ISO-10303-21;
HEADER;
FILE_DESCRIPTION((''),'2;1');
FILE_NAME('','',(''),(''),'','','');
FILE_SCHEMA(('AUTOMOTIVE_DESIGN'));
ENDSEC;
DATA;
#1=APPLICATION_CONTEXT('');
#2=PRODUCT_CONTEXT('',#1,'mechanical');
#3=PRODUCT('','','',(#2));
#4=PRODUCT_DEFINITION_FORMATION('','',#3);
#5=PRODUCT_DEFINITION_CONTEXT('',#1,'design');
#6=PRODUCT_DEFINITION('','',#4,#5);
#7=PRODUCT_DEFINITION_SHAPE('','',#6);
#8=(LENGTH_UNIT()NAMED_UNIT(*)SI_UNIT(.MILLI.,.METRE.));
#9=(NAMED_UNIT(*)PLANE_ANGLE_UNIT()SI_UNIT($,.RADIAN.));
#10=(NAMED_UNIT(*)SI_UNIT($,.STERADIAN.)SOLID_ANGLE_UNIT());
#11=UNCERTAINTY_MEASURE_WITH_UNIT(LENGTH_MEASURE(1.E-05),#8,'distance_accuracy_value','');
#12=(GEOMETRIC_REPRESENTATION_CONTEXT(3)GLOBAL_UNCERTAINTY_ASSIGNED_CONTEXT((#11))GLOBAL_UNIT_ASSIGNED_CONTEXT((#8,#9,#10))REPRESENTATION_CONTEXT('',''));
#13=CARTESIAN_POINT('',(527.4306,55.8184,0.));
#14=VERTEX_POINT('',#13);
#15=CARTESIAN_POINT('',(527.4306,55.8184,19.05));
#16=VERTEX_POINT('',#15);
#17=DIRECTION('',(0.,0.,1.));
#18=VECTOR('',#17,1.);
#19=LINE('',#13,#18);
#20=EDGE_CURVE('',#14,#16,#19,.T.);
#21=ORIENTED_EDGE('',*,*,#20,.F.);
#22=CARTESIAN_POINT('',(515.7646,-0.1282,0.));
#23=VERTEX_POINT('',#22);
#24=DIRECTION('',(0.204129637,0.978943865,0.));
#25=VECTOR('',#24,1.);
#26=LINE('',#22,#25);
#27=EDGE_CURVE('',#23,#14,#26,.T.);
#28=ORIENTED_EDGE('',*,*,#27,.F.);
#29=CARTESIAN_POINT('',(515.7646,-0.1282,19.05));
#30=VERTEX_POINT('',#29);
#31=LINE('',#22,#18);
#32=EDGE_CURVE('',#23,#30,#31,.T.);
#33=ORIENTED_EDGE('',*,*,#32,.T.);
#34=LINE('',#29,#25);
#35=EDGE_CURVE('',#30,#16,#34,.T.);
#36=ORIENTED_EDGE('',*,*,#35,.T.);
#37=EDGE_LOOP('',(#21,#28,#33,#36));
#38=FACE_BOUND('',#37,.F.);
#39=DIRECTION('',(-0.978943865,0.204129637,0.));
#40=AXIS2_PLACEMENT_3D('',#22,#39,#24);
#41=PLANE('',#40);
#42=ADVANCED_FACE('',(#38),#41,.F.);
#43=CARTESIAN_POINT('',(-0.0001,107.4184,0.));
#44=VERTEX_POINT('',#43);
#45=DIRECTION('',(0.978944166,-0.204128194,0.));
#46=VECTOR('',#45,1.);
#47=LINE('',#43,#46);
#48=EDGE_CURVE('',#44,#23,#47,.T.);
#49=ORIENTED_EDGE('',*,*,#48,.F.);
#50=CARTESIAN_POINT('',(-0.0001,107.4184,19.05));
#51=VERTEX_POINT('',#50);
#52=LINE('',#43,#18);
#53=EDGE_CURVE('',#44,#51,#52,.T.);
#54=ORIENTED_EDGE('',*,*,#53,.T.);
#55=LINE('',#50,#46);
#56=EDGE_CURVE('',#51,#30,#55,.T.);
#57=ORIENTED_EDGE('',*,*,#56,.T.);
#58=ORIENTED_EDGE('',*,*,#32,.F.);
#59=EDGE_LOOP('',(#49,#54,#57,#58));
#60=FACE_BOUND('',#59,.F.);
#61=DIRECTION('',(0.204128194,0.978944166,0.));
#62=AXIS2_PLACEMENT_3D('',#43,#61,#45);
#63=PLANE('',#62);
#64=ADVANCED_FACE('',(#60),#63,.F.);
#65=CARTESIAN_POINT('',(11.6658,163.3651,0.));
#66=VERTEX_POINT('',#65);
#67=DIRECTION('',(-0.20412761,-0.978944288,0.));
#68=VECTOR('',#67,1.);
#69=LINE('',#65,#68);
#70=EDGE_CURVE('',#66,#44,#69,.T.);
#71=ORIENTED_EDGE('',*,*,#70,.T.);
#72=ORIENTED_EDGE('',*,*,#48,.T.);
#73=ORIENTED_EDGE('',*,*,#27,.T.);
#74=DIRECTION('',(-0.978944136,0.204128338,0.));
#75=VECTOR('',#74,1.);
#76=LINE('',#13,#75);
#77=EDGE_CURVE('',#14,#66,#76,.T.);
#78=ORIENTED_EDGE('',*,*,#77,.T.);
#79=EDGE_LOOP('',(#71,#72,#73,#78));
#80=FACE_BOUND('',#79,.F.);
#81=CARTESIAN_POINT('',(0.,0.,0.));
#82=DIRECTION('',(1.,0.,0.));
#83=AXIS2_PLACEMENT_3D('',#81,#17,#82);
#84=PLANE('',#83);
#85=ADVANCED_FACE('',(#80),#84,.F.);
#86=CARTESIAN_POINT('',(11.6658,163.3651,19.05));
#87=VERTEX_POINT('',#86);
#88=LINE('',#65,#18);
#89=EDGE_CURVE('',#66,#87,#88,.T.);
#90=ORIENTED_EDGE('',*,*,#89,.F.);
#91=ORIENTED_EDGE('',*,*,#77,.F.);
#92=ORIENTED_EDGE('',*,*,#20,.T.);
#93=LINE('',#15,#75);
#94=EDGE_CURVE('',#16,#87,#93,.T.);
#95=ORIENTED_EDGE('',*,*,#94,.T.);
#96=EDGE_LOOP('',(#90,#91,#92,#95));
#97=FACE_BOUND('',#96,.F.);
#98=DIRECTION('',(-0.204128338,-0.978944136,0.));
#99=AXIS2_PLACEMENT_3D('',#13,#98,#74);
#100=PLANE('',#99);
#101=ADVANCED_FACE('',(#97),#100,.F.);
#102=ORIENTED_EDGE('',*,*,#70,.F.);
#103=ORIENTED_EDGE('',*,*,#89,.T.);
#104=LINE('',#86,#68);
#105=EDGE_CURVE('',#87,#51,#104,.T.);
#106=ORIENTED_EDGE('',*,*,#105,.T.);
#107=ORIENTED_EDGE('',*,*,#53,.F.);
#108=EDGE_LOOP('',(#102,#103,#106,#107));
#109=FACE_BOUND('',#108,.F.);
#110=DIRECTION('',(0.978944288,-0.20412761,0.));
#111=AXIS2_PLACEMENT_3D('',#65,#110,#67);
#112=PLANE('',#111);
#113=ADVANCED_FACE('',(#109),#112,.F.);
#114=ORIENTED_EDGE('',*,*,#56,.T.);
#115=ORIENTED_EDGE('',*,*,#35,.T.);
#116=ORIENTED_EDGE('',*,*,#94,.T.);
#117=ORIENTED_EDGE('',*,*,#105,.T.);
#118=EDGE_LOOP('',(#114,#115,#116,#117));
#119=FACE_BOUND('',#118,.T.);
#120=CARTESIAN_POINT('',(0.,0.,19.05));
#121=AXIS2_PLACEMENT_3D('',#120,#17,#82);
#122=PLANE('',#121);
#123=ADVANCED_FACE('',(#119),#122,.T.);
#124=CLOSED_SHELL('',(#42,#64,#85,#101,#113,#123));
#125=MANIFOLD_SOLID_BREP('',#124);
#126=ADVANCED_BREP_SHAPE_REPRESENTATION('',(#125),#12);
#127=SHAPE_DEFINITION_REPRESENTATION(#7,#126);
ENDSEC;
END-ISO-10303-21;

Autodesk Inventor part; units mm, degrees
ref_plane "YZ Plane" through (0, 0, 0) normal (1, 0, 0) x (0, 1, 0)
ref_plane "XZ Plane" through (0, 0, 0) normal (0, 1, 0) x (-1, 0, 0)
ref_plane "XY Plane" through (0, 0, 0) normal (0, 0, 1) x (1, 0, 0)
sketch "Sketch1" plane through (0, 0, 0) normal (0, 0, 1) x (1, 0, 0)
  line L0 (11.6658, 163.3651) -> (-0.0001, 107.4184)
  line L1 (-0.0001, 107.4184) -> (515.7646, -0.1282)
  line L2 (515.7646, -0.1282) -> (527.4306, 55.8184)
  line L3 (527.4306, 55.8184) -> (11.6658, 163.3651)
  point P0 (0, 0)
extrude "Extrusion1" add sketch "Sketch1" along normal blind 19.05
properties part number "nd-10"
